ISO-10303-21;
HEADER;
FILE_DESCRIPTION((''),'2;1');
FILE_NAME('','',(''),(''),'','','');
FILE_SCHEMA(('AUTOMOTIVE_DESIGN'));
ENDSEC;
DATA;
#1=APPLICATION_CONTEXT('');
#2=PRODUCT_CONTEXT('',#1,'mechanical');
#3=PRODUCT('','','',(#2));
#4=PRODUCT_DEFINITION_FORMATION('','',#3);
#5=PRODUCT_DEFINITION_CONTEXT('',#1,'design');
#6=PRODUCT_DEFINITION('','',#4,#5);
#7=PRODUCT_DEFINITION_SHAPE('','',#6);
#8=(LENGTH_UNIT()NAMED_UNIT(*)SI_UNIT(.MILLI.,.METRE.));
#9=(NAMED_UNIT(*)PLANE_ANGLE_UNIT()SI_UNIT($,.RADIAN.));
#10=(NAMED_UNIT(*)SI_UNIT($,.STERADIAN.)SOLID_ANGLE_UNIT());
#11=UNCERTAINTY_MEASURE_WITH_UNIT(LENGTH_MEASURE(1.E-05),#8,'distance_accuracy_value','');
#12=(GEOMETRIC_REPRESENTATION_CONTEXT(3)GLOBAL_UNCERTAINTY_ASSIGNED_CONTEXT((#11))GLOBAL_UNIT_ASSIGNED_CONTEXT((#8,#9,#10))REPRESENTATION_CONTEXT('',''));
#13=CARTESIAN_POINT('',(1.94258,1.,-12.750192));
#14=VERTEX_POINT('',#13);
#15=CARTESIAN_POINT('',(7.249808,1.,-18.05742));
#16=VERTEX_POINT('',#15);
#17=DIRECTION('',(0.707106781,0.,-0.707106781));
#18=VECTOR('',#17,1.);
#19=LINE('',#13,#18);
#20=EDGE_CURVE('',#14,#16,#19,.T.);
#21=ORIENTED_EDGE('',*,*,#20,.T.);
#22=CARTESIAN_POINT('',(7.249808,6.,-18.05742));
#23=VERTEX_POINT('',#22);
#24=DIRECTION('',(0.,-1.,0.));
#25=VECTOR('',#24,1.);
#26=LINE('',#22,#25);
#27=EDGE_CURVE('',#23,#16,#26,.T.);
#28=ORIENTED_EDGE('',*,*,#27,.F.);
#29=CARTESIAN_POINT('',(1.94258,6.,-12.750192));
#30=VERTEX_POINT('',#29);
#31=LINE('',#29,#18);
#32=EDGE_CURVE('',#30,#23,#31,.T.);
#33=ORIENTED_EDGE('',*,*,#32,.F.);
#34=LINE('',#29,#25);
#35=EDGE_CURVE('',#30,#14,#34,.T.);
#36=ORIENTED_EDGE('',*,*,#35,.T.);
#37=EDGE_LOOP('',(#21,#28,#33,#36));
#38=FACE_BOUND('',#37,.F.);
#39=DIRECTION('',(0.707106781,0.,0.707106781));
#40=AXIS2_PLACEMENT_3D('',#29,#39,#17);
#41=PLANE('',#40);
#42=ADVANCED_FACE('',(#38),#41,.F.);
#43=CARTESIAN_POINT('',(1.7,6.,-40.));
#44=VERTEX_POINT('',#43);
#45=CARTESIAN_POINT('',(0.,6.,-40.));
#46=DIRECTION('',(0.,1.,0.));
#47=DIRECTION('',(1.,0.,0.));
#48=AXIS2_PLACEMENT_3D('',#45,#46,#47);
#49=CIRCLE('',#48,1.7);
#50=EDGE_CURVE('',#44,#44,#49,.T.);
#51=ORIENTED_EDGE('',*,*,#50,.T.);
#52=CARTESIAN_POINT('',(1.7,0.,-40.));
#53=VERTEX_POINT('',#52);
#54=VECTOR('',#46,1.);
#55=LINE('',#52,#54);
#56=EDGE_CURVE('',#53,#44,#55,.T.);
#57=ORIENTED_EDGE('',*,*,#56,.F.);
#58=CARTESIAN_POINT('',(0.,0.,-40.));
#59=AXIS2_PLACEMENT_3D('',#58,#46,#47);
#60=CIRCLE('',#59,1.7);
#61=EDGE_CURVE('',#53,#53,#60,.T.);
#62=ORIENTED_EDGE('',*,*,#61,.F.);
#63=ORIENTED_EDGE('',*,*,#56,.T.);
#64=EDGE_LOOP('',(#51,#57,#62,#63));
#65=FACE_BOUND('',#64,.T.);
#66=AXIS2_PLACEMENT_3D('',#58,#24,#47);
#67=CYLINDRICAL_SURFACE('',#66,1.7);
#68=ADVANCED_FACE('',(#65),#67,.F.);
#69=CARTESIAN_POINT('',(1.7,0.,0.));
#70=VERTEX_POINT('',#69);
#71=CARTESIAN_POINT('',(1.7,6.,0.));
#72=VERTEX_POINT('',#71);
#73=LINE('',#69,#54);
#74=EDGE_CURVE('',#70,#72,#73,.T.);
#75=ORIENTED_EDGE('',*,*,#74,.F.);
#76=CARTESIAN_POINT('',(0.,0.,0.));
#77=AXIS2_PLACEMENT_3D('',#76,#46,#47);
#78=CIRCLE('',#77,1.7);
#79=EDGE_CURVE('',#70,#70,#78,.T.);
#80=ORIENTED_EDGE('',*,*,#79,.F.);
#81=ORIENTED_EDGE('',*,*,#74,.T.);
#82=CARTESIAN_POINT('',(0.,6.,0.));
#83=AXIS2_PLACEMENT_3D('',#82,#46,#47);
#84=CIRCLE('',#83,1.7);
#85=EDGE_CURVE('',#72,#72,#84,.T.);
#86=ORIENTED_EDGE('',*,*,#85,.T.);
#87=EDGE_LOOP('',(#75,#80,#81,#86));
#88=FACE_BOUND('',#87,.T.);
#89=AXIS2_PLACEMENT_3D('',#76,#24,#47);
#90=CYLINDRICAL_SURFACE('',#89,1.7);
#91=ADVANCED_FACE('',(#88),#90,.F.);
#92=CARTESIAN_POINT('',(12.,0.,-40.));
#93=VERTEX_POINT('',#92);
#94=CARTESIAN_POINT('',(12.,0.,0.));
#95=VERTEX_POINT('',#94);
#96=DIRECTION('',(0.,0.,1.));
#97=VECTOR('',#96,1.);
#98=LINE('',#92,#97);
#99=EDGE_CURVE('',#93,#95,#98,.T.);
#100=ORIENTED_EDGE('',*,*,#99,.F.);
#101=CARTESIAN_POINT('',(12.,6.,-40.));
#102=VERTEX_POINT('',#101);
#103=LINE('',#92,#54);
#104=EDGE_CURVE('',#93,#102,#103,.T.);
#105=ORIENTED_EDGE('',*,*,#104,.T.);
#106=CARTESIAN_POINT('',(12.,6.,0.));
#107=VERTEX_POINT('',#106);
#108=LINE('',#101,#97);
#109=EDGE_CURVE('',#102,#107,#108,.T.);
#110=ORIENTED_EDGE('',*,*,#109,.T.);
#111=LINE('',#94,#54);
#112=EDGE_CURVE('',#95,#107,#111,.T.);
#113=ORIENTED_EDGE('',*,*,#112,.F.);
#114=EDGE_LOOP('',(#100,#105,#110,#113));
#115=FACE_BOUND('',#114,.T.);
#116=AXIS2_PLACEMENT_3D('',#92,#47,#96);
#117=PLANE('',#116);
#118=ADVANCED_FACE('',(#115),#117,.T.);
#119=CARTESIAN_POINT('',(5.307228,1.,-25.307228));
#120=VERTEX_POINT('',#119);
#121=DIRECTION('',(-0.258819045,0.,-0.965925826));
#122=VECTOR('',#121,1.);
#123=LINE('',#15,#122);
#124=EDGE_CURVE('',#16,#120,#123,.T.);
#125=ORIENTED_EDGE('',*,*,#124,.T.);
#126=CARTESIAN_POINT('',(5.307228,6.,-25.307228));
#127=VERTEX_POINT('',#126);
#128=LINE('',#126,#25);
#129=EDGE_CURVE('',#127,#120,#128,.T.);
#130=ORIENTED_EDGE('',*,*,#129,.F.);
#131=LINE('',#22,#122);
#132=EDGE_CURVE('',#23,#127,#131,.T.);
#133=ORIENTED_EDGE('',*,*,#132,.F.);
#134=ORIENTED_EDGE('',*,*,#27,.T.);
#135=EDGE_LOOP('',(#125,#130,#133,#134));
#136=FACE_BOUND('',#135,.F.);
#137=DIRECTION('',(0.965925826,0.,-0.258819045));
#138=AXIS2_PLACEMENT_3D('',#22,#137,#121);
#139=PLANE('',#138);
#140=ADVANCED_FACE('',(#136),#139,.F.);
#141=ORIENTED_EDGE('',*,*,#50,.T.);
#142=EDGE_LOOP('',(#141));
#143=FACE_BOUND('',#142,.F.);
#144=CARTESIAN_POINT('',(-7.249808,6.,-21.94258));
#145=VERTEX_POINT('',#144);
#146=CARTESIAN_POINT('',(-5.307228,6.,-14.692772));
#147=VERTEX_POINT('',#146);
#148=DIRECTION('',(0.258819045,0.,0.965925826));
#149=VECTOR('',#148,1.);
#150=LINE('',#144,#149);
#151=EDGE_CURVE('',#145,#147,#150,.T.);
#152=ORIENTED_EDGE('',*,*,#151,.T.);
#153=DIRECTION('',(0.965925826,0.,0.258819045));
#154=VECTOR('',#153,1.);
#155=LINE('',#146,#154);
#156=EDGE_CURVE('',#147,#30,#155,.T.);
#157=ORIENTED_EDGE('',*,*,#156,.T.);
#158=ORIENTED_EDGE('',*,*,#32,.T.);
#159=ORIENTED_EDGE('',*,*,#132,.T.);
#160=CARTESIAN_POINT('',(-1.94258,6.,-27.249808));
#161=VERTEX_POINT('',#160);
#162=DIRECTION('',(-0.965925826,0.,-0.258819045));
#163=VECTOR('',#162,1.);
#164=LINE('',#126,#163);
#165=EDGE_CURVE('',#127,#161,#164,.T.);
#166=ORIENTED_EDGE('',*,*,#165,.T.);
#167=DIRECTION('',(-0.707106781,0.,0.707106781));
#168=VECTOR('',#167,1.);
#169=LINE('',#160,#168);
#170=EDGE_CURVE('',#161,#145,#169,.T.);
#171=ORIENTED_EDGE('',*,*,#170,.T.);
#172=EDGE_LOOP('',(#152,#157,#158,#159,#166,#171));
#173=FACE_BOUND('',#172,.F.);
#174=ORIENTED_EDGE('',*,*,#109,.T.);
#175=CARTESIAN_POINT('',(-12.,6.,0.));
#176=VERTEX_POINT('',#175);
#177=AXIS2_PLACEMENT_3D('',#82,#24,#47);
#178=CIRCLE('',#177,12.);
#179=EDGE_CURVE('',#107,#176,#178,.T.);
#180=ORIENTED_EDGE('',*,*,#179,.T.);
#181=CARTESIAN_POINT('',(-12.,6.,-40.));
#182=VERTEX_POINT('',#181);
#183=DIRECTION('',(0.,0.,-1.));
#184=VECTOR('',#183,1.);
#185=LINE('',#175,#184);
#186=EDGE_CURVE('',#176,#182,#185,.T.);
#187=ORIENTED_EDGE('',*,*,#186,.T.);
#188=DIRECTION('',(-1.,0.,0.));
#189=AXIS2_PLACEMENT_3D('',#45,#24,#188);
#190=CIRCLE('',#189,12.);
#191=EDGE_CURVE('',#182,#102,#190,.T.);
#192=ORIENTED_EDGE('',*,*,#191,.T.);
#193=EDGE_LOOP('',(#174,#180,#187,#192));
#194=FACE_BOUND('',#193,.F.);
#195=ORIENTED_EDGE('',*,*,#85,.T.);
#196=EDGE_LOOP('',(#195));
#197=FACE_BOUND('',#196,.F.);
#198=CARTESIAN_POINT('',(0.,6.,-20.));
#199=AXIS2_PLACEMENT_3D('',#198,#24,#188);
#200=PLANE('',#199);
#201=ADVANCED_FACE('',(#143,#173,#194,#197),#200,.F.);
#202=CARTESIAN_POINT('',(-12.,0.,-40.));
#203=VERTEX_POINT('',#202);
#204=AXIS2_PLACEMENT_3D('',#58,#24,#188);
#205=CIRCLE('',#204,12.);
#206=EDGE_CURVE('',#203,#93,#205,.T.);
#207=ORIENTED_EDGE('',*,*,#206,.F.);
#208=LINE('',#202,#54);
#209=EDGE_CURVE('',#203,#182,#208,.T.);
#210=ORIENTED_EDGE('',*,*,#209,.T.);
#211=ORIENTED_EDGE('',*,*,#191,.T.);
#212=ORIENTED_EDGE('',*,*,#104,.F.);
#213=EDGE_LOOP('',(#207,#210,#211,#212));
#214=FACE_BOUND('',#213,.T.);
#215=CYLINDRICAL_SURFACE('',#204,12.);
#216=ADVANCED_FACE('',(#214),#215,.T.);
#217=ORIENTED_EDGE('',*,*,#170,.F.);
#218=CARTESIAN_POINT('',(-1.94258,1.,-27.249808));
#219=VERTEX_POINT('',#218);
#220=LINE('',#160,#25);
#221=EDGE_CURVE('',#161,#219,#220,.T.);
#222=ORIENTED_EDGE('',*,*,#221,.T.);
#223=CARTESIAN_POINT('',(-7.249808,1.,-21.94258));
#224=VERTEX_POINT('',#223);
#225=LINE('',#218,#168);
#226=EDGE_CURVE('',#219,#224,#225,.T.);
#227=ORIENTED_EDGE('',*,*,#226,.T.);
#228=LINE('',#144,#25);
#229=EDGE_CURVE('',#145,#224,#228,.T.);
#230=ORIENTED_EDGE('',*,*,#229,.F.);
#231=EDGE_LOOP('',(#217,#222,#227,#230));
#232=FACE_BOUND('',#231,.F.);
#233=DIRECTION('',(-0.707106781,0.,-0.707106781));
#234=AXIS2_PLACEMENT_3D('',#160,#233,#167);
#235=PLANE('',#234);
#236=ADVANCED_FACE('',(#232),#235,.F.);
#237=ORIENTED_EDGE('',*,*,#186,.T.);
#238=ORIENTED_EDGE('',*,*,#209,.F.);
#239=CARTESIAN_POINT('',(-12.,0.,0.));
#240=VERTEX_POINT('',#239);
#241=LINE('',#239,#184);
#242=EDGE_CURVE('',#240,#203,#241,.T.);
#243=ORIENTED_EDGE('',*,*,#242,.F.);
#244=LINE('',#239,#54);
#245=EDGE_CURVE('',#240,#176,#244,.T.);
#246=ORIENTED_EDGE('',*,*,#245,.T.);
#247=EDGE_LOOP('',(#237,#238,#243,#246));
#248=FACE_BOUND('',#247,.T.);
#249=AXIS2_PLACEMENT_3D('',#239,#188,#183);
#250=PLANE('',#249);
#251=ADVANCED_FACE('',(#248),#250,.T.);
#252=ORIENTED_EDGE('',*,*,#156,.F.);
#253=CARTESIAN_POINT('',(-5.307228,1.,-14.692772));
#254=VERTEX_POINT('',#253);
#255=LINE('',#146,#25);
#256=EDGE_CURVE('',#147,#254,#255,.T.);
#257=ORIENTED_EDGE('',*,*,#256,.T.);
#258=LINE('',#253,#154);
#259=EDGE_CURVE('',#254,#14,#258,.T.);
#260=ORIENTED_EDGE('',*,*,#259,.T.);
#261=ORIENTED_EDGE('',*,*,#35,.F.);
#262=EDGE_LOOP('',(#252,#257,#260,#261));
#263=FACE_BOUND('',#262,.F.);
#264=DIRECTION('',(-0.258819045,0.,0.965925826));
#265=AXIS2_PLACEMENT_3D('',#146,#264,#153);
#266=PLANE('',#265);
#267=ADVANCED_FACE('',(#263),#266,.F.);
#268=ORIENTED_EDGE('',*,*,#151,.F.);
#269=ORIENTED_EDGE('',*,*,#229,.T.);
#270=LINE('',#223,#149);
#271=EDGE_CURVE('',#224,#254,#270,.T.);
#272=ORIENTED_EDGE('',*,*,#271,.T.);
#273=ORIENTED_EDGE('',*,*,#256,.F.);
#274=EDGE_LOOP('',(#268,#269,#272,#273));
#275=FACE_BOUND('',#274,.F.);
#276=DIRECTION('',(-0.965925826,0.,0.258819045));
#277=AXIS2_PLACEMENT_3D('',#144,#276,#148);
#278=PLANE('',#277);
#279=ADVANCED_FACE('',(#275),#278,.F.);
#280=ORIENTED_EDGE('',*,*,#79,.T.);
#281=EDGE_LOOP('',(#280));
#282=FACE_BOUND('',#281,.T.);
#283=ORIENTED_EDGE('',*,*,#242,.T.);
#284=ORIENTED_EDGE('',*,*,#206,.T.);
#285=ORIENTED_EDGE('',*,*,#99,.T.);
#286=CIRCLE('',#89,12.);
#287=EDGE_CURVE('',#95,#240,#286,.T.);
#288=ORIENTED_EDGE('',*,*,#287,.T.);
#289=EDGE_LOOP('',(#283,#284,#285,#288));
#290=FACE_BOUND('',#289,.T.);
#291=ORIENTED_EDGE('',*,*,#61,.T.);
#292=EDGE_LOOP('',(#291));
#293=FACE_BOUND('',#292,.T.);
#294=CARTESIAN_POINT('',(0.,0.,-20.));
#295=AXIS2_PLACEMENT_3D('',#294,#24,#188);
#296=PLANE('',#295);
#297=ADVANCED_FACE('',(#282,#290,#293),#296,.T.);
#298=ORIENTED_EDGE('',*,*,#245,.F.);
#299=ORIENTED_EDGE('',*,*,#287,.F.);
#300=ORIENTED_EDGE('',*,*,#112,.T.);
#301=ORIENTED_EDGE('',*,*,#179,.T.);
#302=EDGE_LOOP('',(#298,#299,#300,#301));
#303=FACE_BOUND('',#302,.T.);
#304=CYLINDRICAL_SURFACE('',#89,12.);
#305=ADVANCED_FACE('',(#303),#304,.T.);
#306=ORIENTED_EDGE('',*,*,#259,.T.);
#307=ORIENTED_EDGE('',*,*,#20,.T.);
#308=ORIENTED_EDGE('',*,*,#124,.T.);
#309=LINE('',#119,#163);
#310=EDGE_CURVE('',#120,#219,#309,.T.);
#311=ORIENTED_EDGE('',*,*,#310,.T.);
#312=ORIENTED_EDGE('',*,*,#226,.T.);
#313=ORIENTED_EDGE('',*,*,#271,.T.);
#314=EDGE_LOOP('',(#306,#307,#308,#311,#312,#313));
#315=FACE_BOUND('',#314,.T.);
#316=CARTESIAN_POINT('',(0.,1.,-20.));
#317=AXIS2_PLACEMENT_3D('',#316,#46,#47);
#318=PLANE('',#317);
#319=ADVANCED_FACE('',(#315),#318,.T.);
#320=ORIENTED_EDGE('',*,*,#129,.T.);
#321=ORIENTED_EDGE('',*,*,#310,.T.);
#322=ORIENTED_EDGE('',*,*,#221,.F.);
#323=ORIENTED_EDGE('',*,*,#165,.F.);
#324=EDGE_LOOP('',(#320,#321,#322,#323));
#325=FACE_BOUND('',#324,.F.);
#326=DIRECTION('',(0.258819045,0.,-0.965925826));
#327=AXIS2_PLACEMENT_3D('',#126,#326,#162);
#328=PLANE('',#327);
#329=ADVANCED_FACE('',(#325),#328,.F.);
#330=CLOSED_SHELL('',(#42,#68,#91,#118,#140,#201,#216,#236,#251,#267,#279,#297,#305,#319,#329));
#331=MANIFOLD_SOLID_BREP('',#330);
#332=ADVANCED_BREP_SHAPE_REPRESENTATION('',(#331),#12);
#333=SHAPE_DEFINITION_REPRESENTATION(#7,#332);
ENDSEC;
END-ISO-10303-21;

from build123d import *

# Parameters (mm, degrees)
SKETCH1_R           = 1.7
BOSS_EXTRUDE1_DEPTH = 6
CUT_EXTRUDE1_DEPTH  = 5


with BuildPart() as part:
    # Sketch1 → Boss-Extrude1 (new body)
    with BuildSketch(Plane(origin=(0, 0, 0), x_dir=(1, 0, 0), z_dir=(0, 1, 0))):
        with BuildLine():
            Line((-12, 0), (-12, 40))
            ThreePointArc((-12, 40), (0, 52), (12, 40))
            Line((12, 40), (12, 0))
            ThreePointArc((12, 0), (0, -12), (-12, 0))
        make_face()
        with Locations((0, 40)):
            Circle(SKETCH1_R, mode=Mode.SUBTRACT)
        Circle(SKETCH1_R, mode=Mode.SUBTRACT)
    extrude(amount=BOSS_EXTRUDE1_DEPTH)

    # Sketch2 → Cut-Extrude1 (cut)
    with BuildSketch(Plane(origin=(0, 6, 0), x_dir=(1, 0, 0), z_dir=(0, 1, 0))):
        Polygon((1.94258019, 12.750192034), (7.249807966, 18.05741981), (5.307227776, 25.307227776), (-1.94258019, 27.249807966), (-7.249807966, 21.94258019), (-5.307227776, 14.692772224), align=None)
    extrude(amount=-CUT_EXTRUDE1_DEPTH, mode=Mode.SUBTRACT)


solid = part.part
